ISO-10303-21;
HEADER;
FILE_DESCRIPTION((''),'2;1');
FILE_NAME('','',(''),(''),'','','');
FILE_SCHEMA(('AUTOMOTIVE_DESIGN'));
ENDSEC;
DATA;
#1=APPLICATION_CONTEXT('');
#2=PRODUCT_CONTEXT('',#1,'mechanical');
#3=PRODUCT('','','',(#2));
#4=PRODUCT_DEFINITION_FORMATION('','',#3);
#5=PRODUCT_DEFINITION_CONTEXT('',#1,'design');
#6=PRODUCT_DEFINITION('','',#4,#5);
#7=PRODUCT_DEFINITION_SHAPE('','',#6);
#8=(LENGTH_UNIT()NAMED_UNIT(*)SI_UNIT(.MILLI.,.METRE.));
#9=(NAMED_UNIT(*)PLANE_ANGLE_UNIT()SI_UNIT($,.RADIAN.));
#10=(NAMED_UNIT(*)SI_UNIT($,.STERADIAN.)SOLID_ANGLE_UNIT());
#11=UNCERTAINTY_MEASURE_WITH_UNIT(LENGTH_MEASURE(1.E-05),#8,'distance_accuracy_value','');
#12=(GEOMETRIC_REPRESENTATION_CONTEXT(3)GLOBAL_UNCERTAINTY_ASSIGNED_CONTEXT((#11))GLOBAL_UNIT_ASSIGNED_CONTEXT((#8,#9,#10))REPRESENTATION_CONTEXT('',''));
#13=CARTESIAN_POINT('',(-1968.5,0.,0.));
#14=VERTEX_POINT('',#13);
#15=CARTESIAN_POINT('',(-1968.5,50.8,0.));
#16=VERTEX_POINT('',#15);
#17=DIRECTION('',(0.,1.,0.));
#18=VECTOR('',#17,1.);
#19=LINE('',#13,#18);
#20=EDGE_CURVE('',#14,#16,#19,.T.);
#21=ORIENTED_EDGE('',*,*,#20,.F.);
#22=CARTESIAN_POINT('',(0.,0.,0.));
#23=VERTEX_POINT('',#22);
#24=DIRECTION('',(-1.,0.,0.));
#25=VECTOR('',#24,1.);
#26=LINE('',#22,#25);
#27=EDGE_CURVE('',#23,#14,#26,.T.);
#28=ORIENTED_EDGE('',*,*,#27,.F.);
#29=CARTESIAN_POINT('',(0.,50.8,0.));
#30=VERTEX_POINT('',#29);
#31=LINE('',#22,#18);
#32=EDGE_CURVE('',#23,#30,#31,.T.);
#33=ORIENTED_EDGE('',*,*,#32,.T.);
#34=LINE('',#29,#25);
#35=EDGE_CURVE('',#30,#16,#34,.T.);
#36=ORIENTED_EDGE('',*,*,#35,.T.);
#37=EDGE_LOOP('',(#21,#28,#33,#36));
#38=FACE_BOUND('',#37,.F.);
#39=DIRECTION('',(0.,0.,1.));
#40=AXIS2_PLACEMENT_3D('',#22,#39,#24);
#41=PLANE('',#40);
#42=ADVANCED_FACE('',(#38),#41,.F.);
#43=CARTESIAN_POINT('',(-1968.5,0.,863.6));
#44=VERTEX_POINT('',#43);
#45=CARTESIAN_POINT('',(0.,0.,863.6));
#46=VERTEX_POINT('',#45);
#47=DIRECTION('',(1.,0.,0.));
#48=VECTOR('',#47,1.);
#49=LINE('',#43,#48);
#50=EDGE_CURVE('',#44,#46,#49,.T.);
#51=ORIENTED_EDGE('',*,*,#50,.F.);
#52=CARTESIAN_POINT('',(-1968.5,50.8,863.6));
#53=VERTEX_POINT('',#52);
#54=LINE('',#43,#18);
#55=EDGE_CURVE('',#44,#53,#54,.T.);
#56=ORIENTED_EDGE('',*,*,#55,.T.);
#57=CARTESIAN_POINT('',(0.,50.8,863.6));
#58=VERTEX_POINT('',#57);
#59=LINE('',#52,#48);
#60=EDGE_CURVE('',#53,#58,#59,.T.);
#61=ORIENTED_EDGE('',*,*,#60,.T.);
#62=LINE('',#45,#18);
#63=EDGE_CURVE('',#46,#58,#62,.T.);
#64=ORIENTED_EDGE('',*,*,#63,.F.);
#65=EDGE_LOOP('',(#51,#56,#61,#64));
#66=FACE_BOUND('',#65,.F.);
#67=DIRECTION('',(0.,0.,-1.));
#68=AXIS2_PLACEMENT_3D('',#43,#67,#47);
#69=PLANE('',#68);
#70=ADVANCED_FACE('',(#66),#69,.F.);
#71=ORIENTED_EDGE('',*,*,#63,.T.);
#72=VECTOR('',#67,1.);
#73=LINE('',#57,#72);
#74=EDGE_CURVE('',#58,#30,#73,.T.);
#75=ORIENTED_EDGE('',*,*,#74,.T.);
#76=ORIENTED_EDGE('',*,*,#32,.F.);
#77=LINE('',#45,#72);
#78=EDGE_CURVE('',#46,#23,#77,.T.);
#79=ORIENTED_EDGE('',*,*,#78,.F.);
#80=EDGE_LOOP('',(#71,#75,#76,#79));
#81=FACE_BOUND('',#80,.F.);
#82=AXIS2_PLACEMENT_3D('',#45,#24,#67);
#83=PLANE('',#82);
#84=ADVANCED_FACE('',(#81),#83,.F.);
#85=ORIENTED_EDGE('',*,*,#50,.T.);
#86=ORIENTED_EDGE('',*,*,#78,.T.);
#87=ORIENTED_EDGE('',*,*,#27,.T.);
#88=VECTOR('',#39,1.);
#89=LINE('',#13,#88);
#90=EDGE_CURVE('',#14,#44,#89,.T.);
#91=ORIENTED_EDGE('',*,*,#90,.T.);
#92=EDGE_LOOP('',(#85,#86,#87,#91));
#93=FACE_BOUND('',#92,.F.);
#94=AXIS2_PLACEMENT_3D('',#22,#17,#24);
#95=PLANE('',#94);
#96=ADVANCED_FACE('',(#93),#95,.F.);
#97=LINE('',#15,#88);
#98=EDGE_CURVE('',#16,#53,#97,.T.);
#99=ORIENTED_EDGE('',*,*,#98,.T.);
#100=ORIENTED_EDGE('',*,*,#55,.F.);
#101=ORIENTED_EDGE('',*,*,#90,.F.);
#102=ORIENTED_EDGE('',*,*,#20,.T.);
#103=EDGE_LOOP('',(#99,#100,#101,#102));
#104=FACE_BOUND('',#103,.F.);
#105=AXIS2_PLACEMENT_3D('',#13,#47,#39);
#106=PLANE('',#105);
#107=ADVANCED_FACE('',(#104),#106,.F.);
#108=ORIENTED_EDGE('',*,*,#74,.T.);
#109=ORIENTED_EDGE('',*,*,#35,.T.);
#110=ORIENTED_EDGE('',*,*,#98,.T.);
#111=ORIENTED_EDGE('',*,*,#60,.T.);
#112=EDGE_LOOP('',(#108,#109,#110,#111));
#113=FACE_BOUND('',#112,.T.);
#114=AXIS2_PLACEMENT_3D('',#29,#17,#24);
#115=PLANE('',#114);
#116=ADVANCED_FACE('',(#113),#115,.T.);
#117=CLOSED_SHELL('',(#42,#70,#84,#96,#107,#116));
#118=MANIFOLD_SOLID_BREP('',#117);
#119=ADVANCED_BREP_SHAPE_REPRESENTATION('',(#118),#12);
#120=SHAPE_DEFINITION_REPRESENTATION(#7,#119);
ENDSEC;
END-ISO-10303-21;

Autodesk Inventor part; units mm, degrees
ref_plane "YZ Plane" through (0, 0, 0) normal (1, 0, 0) x (0, 1, 0)
ref_plane "XZ Plane" through (0, 0, 0) normal (0, 1, 0) x (-1, 0, 0)
ref_plane "XY Plane" through (0, 0, 0) normal (0, 0, 1) x (1, 0, 0)
sketch "Sketch1" plane through (0, 0, 0) normal (0, 1, 0) x (-1, 0, 0)
  line L0 (0, 0) -> (1968.5, 0)
  line L1 (1968.5, 0) -> (1968.5, 863.6)
  line L2 (1968.5, 863.6) -> (0, 863.6)
  line L3 (0, 863.6) -> (0, 0)
  dimension "d0" = 1968.5
  dimension "d1" = 863.6
extrude "Extrusion1" add sketch "Sketch1" along normal blind 50.8
properties part number "D" material "Granite, Cut, Polished"
